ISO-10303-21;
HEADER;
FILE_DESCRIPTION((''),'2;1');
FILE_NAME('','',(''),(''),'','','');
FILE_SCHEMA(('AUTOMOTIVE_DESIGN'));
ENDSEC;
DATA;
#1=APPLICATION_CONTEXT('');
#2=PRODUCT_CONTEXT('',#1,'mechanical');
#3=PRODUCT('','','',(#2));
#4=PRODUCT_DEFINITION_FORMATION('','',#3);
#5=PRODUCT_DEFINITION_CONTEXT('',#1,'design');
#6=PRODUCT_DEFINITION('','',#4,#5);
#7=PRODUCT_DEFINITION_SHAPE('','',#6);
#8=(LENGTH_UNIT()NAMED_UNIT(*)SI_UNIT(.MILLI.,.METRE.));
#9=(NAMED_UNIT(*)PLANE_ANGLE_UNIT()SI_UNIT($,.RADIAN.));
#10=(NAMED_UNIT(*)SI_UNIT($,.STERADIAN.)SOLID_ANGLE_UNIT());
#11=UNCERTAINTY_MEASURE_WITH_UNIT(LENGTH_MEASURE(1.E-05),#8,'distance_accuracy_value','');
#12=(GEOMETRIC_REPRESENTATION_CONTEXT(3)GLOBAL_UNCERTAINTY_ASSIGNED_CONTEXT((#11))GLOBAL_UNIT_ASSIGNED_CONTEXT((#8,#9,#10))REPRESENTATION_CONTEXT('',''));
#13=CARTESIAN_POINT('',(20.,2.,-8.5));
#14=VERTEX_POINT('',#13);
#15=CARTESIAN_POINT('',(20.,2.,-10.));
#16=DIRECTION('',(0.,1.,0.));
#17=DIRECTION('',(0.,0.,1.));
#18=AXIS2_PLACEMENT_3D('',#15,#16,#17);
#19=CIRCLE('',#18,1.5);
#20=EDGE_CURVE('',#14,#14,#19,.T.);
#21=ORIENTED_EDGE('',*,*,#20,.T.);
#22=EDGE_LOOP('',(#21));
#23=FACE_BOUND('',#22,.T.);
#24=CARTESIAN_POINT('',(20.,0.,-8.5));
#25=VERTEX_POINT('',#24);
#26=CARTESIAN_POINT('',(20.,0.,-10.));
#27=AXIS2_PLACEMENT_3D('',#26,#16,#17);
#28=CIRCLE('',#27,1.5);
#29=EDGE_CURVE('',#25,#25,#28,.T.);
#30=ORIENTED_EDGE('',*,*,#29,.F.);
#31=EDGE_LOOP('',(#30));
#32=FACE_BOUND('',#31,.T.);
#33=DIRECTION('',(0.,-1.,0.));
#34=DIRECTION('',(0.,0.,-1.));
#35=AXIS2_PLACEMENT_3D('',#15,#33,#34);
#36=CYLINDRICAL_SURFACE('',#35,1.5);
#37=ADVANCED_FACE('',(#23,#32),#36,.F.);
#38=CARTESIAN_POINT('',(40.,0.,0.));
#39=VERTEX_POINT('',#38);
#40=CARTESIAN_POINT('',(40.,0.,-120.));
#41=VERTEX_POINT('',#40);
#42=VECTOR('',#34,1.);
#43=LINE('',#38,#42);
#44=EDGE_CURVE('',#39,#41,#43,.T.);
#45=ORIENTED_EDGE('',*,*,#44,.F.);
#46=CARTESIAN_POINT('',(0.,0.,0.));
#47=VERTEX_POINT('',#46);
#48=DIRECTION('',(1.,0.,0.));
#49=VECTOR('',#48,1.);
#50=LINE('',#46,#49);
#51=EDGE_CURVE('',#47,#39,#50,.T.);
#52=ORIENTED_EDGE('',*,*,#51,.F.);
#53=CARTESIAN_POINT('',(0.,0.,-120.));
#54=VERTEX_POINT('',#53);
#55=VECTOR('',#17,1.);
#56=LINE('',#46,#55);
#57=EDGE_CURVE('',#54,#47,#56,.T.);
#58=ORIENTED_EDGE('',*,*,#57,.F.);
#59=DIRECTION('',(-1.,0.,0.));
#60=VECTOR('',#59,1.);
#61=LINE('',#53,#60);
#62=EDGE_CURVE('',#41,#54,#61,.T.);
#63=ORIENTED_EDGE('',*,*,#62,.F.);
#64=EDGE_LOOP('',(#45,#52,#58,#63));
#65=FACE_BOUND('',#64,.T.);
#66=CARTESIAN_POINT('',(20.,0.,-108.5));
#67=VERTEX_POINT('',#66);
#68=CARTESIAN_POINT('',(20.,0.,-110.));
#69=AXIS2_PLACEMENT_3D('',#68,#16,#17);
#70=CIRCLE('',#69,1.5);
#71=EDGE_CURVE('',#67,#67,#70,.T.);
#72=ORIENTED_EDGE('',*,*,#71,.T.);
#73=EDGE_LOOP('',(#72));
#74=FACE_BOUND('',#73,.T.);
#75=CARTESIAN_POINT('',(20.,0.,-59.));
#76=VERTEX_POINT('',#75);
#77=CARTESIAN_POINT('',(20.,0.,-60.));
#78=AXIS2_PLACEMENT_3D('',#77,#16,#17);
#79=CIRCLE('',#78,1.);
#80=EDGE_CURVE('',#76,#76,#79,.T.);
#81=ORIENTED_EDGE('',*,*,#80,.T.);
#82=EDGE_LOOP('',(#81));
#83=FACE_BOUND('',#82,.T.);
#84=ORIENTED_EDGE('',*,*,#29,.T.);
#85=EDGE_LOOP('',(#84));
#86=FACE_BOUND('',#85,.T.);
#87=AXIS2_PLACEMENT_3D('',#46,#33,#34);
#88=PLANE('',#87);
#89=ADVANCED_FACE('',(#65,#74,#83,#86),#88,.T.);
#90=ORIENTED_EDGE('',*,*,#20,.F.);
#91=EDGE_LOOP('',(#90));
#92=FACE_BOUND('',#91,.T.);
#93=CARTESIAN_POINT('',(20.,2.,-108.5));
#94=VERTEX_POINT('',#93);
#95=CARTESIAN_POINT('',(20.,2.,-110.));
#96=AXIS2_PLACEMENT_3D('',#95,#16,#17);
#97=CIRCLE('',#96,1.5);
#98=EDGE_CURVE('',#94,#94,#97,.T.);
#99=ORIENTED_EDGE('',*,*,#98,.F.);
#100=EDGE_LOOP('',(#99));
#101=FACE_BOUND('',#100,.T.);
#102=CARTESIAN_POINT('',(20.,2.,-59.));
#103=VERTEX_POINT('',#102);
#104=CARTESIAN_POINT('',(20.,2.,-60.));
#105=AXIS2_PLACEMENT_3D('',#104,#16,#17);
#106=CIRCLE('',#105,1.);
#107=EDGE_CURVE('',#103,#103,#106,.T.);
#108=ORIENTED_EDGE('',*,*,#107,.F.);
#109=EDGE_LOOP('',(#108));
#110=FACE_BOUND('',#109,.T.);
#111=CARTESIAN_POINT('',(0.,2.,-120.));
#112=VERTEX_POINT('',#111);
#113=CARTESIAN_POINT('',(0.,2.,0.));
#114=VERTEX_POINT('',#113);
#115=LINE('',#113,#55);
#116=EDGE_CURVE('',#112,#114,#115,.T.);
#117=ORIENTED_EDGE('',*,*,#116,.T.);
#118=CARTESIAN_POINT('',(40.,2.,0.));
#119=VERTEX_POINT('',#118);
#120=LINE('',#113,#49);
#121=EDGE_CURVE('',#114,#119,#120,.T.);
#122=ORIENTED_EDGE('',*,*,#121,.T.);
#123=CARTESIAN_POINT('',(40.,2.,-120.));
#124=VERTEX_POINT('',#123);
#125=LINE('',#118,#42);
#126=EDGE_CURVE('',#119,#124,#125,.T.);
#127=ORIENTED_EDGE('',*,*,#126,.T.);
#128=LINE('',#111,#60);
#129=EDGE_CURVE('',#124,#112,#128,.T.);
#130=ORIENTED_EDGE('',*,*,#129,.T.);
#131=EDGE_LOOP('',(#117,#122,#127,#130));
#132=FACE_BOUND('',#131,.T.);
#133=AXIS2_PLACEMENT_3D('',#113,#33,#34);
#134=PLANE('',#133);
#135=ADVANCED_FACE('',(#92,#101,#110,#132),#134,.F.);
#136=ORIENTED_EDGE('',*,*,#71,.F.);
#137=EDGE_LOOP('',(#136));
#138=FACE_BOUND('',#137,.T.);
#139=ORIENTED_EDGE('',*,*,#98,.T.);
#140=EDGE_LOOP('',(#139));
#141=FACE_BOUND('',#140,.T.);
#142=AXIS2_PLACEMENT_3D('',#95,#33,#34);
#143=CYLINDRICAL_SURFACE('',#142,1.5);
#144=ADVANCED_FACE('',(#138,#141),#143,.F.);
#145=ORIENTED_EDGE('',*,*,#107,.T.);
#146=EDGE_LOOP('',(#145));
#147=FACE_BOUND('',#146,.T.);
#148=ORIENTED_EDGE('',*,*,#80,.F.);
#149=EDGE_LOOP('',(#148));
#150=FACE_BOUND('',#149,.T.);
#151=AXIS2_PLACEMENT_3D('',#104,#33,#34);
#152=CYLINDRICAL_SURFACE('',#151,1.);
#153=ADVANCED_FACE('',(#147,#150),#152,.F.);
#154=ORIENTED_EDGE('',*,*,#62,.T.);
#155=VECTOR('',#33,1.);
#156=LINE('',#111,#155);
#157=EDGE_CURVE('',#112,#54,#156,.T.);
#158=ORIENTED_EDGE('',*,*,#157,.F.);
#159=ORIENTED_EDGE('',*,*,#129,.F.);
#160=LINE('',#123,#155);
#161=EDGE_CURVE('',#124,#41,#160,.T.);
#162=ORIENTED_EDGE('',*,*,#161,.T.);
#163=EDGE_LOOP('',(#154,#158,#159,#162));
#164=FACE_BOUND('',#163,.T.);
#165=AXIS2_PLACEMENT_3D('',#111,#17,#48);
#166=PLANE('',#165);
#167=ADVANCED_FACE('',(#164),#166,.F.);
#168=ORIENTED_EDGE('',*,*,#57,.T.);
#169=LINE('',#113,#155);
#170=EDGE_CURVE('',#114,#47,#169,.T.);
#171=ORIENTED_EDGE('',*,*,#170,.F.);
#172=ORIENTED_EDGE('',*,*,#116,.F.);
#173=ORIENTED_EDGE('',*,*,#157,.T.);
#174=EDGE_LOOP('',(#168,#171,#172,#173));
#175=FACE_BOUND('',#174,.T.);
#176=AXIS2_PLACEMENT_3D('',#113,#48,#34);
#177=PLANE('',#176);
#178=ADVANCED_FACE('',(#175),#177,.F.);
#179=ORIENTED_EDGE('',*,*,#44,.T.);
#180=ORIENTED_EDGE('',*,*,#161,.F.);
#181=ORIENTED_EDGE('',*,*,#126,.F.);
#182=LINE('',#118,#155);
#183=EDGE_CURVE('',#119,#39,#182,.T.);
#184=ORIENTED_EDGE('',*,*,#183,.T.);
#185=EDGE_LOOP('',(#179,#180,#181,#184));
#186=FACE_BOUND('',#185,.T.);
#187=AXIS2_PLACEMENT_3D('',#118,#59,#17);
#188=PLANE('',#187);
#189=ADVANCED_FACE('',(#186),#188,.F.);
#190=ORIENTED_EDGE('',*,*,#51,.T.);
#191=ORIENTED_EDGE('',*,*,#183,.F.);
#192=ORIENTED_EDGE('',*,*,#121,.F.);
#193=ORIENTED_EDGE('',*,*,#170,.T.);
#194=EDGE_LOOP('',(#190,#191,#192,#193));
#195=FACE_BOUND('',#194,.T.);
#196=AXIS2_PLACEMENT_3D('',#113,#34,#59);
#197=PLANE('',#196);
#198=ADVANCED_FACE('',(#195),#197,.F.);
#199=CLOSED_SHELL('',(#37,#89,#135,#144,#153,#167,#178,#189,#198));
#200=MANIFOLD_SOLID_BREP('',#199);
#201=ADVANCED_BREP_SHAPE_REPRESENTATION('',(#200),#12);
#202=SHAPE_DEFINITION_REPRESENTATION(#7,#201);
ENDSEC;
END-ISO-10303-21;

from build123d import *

# Parameters (mm, degrees)
SKETCH1_W           = 40
SKETCH1_H           = 120
SKETCH1_R           = 1.5
SKETCH1_R_2         = 1
BOSS_EXTRUDE1_DEPTH = 2


with BuildPart() as part:
    # Sketch1 → Boss-Extrude1 (new body)
    with BuildSketch(Plane(origin=(0, 0, 0), x_dir=(1, 0, 0), z_dir=(0, 1, 0))):
        with Locations((20, 60)):
            Rectangle(SKETCH1_W, SKETCH1_H)
        with Locations(Location((20, 10, 0), (0, 0, 270))):
            Circle(SKETCH1_R, mode=Mode.SUBTRACT)
        with Locations(Location((20, 110, 0), (0, 0, 270))):
            Circle(SKETCH1_R, mode=Mode.SUBTRACT)
        with Locations(Location((20, 60, 0), (0, 0, 270))):
            Circle(SKETCH1_R_2, mode=Mode.SUBTRACT)
    extrude(amount=BOSS_EXTRUDE1_DEPTH)


solid = part.part
